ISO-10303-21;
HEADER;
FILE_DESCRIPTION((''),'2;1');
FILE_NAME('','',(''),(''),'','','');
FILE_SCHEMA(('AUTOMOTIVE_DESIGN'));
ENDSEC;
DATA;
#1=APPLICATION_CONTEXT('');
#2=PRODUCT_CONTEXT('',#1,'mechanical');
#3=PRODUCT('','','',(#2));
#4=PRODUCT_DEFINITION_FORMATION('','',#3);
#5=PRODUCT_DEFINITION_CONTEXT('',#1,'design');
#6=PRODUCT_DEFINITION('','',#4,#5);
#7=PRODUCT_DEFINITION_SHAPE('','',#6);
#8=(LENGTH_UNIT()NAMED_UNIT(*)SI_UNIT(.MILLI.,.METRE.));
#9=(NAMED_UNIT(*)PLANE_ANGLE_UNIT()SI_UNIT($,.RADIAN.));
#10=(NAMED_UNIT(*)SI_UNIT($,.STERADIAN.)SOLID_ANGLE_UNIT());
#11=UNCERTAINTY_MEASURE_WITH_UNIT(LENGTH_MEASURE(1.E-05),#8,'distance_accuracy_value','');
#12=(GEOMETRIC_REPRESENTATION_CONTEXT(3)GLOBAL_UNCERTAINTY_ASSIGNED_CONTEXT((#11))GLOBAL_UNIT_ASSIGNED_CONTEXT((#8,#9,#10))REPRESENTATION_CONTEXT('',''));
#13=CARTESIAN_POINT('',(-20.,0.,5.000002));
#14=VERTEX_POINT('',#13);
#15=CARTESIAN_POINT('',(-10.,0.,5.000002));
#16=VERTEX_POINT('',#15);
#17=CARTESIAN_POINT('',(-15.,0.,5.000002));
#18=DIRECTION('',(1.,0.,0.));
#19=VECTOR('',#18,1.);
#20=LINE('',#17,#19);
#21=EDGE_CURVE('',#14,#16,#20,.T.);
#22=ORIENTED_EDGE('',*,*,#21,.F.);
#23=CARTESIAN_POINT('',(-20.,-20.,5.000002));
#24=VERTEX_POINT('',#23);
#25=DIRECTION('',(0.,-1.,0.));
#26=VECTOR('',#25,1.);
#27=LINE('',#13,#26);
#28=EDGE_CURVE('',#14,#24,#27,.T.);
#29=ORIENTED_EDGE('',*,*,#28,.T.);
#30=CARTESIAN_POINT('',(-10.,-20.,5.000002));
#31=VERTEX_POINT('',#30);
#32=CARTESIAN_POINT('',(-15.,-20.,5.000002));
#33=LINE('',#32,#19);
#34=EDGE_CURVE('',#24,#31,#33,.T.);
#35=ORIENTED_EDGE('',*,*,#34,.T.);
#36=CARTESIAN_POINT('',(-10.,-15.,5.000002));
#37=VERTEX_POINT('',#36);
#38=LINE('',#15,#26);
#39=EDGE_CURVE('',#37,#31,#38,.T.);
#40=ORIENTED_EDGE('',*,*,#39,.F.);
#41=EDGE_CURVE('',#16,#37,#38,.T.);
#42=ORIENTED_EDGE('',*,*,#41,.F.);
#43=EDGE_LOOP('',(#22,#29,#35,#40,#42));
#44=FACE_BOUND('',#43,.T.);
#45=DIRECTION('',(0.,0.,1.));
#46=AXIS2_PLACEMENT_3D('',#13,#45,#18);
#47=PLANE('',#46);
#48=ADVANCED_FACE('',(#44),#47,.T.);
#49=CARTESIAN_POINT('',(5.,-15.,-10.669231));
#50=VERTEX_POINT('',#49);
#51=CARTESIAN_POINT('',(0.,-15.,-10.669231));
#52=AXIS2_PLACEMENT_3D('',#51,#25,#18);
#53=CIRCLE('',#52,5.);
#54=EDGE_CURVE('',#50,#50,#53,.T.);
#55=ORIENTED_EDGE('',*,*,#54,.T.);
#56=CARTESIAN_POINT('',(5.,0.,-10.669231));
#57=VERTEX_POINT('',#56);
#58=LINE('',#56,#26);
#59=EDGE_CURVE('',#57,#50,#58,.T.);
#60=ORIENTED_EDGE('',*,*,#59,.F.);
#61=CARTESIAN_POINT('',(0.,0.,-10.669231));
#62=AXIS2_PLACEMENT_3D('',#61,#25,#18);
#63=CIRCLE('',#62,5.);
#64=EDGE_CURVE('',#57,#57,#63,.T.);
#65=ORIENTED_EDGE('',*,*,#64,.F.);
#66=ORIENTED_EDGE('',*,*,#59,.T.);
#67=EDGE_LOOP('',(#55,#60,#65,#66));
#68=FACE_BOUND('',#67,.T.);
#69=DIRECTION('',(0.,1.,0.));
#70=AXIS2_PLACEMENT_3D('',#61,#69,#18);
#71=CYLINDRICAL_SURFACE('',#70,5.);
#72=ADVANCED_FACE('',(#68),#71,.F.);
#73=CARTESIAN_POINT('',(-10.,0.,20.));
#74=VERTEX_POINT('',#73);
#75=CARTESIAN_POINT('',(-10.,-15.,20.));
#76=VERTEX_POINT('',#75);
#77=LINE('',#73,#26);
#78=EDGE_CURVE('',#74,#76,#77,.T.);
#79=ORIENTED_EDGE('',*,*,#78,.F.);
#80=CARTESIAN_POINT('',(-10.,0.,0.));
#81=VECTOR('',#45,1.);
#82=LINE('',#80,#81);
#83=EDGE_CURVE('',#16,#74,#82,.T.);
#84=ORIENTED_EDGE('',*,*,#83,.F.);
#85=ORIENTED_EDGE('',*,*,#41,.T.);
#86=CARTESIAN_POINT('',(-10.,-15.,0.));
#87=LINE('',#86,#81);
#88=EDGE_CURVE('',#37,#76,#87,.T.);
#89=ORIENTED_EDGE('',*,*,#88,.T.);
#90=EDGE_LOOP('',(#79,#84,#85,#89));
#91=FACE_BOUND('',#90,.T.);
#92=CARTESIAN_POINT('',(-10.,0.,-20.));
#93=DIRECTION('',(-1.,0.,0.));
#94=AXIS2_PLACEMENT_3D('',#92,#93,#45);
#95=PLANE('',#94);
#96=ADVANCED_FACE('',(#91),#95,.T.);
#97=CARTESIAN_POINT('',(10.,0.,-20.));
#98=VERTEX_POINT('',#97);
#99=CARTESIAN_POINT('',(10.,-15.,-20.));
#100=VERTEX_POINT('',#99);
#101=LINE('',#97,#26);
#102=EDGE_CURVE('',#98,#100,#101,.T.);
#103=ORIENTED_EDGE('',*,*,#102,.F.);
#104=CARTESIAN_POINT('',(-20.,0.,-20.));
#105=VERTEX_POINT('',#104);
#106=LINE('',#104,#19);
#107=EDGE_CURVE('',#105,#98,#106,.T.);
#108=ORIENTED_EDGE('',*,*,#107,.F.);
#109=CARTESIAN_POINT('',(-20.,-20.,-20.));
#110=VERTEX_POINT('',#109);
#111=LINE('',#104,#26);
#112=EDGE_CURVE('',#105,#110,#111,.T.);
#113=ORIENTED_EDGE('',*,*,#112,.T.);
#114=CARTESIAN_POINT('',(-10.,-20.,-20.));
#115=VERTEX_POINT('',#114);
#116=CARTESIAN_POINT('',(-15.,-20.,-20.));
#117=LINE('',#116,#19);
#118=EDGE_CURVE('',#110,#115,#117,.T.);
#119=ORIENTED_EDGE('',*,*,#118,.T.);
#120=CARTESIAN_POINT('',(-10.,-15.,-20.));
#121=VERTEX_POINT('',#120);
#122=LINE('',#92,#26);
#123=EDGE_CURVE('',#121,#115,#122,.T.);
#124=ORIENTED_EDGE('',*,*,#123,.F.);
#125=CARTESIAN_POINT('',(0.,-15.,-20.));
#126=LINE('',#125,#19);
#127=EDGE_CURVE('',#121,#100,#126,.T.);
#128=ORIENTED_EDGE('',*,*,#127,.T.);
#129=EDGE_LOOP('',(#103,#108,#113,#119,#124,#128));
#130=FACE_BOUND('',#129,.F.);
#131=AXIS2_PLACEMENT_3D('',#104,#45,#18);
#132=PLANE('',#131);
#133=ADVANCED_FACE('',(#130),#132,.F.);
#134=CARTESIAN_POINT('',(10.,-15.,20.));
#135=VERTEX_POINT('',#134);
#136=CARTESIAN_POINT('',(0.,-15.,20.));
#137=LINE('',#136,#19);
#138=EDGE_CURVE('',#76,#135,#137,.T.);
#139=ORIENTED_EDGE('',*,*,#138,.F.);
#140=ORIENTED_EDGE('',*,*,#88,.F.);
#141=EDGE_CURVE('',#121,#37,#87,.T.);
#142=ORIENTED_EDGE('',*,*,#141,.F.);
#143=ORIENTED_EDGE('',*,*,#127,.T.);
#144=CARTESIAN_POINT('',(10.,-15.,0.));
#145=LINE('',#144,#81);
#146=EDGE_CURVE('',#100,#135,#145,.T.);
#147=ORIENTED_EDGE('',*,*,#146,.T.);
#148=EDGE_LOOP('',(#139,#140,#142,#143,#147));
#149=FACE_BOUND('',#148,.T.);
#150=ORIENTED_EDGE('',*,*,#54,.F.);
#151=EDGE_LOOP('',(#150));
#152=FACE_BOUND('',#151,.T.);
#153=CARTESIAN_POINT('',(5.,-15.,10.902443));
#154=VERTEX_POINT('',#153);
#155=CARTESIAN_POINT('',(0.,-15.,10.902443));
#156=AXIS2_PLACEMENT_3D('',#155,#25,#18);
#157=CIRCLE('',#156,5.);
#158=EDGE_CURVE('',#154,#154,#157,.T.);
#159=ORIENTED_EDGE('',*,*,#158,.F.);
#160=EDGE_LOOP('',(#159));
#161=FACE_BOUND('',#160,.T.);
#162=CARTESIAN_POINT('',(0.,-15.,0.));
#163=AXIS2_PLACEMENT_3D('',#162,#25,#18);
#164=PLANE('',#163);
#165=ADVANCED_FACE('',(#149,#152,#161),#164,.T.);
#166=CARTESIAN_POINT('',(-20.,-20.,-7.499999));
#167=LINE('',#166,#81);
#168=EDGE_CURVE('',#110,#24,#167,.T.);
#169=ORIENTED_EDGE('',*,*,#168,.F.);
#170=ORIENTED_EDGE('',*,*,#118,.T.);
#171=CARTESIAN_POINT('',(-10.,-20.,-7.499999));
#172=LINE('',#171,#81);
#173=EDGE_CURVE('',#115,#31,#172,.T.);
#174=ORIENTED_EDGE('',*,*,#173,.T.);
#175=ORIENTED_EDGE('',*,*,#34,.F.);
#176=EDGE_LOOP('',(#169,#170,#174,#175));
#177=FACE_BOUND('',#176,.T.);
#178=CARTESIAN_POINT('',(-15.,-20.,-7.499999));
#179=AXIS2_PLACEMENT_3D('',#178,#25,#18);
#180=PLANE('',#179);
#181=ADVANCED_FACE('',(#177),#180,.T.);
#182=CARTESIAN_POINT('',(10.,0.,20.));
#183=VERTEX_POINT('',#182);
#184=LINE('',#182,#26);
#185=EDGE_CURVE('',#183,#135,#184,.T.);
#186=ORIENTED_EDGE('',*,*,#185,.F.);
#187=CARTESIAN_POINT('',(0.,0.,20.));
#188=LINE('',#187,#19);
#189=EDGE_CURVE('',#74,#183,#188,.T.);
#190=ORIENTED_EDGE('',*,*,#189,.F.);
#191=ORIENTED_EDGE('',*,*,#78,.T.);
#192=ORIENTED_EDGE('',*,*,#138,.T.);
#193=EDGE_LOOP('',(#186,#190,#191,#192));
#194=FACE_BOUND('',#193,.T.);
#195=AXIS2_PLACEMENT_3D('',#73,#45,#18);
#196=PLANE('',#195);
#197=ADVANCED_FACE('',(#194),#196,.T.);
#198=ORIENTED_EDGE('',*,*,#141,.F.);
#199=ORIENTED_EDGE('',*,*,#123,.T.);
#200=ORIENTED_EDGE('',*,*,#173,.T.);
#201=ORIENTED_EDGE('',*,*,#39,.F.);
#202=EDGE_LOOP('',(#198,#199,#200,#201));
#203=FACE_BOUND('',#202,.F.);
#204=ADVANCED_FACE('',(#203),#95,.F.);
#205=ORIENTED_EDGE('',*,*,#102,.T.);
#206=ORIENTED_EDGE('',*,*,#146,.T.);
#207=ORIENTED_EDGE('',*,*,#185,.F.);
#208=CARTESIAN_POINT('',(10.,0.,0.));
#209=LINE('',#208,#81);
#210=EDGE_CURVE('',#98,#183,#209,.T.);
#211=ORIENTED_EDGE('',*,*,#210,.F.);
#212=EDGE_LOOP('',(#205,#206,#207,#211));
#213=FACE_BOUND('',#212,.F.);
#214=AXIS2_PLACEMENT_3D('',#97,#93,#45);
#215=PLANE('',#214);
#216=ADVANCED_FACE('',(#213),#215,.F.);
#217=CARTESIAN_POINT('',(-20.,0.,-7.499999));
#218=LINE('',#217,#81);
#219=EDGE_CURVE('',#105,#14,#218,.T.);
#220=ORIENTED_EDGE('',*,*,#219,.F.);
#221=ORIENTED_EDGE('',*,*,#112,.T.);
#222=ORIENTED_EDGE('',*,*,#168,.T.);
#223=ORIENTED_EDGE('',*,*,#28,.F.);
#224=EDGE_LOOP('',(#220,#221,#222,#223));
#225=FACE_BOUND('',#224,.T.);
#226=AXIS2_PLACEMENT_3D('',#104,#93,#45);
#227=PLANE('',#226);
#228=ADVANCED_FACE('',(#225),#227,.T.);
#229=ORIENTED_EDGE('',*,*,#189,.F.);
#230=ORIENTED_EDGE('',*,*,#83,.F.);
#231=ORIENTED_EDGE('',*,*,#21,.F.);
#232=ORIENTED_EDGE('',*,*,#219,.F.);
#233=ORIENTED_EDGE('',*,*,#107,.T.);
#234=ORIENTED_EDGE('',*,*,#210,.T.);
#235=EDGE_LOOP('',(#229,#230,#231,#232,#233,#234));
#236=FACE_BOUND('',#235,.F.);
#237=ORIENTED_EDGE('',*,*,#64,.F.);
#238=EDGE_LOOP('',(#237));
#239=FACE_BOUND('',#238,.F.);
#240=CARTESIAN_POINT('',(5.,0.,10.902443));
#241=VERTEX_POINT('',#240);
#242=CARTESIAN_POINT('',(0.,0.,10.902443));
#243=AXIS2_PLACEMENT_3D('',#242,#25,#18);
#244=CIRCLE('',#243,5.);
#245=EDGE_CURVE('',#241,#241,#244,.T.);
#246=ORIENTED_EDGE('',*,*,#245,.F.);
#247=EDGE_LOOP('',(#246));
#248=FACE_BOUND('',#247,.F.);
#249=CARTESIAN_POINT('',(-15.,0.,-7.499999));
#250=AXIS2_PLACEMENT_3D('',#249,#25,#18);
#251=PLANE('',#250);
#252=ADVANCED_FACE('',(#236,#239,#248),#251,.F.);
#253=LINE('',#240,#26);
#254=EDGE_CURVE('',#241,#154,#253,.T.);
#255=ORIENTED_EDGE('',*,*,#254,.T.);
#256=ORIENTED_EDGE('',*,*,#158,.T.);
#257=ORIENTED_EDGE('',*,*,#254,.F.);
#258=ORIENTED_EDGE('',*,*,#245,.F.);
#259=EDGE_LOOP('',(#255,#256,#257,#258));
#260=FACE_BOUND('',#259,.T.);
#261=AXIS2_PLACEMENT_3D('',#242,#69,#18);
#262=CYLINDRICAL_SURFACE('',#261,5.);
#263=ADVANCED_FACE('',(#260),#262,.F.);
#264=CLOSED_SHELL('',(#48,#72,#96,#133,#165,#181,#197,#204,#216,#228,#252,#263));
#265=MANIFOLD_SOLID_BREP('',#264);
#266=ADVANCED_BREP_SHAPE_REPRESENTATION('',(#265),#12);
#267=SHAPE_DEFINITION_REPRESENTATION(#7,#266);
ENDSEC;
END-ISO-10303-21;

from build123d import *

# Parameters (mm, degrees)
F0_W     = 20
F0_H     = 40
F1_DEPTH = 15
F2_W     = 10
F2_H     = 25.000002
F3_DEPTH = 20
F4_R     = 5
F5_DEPTH = 15


with BuildPart() as f1:
    # F0 (on Front) → F1 (new body)
    with BuildSketch(Plane.XZ):
        Rectangle(F0_W, F0_H)
    extrude(amount=F1_DEPTH)

    # F2 (on Front) → F3 (join)
    with BuildSketch(Plane.XZ):
        with Locations((-15, -7.499999)):
            Rectangle(F2_W, F2_H)
    extrude(amount=F3_DEPTH)

    # F4 (on Front) → F5 (cut)
    with BuildSketch(Plane.XZ):
        with Locations((0, 10.902443)):
            Circle(F4_R)
        with Locations((0, -10.669231)):
            Circle(F4_R)
    extrude(amount=F5_DEPTH, mode=Mode.SUBTRACT)


solid = f1.part
